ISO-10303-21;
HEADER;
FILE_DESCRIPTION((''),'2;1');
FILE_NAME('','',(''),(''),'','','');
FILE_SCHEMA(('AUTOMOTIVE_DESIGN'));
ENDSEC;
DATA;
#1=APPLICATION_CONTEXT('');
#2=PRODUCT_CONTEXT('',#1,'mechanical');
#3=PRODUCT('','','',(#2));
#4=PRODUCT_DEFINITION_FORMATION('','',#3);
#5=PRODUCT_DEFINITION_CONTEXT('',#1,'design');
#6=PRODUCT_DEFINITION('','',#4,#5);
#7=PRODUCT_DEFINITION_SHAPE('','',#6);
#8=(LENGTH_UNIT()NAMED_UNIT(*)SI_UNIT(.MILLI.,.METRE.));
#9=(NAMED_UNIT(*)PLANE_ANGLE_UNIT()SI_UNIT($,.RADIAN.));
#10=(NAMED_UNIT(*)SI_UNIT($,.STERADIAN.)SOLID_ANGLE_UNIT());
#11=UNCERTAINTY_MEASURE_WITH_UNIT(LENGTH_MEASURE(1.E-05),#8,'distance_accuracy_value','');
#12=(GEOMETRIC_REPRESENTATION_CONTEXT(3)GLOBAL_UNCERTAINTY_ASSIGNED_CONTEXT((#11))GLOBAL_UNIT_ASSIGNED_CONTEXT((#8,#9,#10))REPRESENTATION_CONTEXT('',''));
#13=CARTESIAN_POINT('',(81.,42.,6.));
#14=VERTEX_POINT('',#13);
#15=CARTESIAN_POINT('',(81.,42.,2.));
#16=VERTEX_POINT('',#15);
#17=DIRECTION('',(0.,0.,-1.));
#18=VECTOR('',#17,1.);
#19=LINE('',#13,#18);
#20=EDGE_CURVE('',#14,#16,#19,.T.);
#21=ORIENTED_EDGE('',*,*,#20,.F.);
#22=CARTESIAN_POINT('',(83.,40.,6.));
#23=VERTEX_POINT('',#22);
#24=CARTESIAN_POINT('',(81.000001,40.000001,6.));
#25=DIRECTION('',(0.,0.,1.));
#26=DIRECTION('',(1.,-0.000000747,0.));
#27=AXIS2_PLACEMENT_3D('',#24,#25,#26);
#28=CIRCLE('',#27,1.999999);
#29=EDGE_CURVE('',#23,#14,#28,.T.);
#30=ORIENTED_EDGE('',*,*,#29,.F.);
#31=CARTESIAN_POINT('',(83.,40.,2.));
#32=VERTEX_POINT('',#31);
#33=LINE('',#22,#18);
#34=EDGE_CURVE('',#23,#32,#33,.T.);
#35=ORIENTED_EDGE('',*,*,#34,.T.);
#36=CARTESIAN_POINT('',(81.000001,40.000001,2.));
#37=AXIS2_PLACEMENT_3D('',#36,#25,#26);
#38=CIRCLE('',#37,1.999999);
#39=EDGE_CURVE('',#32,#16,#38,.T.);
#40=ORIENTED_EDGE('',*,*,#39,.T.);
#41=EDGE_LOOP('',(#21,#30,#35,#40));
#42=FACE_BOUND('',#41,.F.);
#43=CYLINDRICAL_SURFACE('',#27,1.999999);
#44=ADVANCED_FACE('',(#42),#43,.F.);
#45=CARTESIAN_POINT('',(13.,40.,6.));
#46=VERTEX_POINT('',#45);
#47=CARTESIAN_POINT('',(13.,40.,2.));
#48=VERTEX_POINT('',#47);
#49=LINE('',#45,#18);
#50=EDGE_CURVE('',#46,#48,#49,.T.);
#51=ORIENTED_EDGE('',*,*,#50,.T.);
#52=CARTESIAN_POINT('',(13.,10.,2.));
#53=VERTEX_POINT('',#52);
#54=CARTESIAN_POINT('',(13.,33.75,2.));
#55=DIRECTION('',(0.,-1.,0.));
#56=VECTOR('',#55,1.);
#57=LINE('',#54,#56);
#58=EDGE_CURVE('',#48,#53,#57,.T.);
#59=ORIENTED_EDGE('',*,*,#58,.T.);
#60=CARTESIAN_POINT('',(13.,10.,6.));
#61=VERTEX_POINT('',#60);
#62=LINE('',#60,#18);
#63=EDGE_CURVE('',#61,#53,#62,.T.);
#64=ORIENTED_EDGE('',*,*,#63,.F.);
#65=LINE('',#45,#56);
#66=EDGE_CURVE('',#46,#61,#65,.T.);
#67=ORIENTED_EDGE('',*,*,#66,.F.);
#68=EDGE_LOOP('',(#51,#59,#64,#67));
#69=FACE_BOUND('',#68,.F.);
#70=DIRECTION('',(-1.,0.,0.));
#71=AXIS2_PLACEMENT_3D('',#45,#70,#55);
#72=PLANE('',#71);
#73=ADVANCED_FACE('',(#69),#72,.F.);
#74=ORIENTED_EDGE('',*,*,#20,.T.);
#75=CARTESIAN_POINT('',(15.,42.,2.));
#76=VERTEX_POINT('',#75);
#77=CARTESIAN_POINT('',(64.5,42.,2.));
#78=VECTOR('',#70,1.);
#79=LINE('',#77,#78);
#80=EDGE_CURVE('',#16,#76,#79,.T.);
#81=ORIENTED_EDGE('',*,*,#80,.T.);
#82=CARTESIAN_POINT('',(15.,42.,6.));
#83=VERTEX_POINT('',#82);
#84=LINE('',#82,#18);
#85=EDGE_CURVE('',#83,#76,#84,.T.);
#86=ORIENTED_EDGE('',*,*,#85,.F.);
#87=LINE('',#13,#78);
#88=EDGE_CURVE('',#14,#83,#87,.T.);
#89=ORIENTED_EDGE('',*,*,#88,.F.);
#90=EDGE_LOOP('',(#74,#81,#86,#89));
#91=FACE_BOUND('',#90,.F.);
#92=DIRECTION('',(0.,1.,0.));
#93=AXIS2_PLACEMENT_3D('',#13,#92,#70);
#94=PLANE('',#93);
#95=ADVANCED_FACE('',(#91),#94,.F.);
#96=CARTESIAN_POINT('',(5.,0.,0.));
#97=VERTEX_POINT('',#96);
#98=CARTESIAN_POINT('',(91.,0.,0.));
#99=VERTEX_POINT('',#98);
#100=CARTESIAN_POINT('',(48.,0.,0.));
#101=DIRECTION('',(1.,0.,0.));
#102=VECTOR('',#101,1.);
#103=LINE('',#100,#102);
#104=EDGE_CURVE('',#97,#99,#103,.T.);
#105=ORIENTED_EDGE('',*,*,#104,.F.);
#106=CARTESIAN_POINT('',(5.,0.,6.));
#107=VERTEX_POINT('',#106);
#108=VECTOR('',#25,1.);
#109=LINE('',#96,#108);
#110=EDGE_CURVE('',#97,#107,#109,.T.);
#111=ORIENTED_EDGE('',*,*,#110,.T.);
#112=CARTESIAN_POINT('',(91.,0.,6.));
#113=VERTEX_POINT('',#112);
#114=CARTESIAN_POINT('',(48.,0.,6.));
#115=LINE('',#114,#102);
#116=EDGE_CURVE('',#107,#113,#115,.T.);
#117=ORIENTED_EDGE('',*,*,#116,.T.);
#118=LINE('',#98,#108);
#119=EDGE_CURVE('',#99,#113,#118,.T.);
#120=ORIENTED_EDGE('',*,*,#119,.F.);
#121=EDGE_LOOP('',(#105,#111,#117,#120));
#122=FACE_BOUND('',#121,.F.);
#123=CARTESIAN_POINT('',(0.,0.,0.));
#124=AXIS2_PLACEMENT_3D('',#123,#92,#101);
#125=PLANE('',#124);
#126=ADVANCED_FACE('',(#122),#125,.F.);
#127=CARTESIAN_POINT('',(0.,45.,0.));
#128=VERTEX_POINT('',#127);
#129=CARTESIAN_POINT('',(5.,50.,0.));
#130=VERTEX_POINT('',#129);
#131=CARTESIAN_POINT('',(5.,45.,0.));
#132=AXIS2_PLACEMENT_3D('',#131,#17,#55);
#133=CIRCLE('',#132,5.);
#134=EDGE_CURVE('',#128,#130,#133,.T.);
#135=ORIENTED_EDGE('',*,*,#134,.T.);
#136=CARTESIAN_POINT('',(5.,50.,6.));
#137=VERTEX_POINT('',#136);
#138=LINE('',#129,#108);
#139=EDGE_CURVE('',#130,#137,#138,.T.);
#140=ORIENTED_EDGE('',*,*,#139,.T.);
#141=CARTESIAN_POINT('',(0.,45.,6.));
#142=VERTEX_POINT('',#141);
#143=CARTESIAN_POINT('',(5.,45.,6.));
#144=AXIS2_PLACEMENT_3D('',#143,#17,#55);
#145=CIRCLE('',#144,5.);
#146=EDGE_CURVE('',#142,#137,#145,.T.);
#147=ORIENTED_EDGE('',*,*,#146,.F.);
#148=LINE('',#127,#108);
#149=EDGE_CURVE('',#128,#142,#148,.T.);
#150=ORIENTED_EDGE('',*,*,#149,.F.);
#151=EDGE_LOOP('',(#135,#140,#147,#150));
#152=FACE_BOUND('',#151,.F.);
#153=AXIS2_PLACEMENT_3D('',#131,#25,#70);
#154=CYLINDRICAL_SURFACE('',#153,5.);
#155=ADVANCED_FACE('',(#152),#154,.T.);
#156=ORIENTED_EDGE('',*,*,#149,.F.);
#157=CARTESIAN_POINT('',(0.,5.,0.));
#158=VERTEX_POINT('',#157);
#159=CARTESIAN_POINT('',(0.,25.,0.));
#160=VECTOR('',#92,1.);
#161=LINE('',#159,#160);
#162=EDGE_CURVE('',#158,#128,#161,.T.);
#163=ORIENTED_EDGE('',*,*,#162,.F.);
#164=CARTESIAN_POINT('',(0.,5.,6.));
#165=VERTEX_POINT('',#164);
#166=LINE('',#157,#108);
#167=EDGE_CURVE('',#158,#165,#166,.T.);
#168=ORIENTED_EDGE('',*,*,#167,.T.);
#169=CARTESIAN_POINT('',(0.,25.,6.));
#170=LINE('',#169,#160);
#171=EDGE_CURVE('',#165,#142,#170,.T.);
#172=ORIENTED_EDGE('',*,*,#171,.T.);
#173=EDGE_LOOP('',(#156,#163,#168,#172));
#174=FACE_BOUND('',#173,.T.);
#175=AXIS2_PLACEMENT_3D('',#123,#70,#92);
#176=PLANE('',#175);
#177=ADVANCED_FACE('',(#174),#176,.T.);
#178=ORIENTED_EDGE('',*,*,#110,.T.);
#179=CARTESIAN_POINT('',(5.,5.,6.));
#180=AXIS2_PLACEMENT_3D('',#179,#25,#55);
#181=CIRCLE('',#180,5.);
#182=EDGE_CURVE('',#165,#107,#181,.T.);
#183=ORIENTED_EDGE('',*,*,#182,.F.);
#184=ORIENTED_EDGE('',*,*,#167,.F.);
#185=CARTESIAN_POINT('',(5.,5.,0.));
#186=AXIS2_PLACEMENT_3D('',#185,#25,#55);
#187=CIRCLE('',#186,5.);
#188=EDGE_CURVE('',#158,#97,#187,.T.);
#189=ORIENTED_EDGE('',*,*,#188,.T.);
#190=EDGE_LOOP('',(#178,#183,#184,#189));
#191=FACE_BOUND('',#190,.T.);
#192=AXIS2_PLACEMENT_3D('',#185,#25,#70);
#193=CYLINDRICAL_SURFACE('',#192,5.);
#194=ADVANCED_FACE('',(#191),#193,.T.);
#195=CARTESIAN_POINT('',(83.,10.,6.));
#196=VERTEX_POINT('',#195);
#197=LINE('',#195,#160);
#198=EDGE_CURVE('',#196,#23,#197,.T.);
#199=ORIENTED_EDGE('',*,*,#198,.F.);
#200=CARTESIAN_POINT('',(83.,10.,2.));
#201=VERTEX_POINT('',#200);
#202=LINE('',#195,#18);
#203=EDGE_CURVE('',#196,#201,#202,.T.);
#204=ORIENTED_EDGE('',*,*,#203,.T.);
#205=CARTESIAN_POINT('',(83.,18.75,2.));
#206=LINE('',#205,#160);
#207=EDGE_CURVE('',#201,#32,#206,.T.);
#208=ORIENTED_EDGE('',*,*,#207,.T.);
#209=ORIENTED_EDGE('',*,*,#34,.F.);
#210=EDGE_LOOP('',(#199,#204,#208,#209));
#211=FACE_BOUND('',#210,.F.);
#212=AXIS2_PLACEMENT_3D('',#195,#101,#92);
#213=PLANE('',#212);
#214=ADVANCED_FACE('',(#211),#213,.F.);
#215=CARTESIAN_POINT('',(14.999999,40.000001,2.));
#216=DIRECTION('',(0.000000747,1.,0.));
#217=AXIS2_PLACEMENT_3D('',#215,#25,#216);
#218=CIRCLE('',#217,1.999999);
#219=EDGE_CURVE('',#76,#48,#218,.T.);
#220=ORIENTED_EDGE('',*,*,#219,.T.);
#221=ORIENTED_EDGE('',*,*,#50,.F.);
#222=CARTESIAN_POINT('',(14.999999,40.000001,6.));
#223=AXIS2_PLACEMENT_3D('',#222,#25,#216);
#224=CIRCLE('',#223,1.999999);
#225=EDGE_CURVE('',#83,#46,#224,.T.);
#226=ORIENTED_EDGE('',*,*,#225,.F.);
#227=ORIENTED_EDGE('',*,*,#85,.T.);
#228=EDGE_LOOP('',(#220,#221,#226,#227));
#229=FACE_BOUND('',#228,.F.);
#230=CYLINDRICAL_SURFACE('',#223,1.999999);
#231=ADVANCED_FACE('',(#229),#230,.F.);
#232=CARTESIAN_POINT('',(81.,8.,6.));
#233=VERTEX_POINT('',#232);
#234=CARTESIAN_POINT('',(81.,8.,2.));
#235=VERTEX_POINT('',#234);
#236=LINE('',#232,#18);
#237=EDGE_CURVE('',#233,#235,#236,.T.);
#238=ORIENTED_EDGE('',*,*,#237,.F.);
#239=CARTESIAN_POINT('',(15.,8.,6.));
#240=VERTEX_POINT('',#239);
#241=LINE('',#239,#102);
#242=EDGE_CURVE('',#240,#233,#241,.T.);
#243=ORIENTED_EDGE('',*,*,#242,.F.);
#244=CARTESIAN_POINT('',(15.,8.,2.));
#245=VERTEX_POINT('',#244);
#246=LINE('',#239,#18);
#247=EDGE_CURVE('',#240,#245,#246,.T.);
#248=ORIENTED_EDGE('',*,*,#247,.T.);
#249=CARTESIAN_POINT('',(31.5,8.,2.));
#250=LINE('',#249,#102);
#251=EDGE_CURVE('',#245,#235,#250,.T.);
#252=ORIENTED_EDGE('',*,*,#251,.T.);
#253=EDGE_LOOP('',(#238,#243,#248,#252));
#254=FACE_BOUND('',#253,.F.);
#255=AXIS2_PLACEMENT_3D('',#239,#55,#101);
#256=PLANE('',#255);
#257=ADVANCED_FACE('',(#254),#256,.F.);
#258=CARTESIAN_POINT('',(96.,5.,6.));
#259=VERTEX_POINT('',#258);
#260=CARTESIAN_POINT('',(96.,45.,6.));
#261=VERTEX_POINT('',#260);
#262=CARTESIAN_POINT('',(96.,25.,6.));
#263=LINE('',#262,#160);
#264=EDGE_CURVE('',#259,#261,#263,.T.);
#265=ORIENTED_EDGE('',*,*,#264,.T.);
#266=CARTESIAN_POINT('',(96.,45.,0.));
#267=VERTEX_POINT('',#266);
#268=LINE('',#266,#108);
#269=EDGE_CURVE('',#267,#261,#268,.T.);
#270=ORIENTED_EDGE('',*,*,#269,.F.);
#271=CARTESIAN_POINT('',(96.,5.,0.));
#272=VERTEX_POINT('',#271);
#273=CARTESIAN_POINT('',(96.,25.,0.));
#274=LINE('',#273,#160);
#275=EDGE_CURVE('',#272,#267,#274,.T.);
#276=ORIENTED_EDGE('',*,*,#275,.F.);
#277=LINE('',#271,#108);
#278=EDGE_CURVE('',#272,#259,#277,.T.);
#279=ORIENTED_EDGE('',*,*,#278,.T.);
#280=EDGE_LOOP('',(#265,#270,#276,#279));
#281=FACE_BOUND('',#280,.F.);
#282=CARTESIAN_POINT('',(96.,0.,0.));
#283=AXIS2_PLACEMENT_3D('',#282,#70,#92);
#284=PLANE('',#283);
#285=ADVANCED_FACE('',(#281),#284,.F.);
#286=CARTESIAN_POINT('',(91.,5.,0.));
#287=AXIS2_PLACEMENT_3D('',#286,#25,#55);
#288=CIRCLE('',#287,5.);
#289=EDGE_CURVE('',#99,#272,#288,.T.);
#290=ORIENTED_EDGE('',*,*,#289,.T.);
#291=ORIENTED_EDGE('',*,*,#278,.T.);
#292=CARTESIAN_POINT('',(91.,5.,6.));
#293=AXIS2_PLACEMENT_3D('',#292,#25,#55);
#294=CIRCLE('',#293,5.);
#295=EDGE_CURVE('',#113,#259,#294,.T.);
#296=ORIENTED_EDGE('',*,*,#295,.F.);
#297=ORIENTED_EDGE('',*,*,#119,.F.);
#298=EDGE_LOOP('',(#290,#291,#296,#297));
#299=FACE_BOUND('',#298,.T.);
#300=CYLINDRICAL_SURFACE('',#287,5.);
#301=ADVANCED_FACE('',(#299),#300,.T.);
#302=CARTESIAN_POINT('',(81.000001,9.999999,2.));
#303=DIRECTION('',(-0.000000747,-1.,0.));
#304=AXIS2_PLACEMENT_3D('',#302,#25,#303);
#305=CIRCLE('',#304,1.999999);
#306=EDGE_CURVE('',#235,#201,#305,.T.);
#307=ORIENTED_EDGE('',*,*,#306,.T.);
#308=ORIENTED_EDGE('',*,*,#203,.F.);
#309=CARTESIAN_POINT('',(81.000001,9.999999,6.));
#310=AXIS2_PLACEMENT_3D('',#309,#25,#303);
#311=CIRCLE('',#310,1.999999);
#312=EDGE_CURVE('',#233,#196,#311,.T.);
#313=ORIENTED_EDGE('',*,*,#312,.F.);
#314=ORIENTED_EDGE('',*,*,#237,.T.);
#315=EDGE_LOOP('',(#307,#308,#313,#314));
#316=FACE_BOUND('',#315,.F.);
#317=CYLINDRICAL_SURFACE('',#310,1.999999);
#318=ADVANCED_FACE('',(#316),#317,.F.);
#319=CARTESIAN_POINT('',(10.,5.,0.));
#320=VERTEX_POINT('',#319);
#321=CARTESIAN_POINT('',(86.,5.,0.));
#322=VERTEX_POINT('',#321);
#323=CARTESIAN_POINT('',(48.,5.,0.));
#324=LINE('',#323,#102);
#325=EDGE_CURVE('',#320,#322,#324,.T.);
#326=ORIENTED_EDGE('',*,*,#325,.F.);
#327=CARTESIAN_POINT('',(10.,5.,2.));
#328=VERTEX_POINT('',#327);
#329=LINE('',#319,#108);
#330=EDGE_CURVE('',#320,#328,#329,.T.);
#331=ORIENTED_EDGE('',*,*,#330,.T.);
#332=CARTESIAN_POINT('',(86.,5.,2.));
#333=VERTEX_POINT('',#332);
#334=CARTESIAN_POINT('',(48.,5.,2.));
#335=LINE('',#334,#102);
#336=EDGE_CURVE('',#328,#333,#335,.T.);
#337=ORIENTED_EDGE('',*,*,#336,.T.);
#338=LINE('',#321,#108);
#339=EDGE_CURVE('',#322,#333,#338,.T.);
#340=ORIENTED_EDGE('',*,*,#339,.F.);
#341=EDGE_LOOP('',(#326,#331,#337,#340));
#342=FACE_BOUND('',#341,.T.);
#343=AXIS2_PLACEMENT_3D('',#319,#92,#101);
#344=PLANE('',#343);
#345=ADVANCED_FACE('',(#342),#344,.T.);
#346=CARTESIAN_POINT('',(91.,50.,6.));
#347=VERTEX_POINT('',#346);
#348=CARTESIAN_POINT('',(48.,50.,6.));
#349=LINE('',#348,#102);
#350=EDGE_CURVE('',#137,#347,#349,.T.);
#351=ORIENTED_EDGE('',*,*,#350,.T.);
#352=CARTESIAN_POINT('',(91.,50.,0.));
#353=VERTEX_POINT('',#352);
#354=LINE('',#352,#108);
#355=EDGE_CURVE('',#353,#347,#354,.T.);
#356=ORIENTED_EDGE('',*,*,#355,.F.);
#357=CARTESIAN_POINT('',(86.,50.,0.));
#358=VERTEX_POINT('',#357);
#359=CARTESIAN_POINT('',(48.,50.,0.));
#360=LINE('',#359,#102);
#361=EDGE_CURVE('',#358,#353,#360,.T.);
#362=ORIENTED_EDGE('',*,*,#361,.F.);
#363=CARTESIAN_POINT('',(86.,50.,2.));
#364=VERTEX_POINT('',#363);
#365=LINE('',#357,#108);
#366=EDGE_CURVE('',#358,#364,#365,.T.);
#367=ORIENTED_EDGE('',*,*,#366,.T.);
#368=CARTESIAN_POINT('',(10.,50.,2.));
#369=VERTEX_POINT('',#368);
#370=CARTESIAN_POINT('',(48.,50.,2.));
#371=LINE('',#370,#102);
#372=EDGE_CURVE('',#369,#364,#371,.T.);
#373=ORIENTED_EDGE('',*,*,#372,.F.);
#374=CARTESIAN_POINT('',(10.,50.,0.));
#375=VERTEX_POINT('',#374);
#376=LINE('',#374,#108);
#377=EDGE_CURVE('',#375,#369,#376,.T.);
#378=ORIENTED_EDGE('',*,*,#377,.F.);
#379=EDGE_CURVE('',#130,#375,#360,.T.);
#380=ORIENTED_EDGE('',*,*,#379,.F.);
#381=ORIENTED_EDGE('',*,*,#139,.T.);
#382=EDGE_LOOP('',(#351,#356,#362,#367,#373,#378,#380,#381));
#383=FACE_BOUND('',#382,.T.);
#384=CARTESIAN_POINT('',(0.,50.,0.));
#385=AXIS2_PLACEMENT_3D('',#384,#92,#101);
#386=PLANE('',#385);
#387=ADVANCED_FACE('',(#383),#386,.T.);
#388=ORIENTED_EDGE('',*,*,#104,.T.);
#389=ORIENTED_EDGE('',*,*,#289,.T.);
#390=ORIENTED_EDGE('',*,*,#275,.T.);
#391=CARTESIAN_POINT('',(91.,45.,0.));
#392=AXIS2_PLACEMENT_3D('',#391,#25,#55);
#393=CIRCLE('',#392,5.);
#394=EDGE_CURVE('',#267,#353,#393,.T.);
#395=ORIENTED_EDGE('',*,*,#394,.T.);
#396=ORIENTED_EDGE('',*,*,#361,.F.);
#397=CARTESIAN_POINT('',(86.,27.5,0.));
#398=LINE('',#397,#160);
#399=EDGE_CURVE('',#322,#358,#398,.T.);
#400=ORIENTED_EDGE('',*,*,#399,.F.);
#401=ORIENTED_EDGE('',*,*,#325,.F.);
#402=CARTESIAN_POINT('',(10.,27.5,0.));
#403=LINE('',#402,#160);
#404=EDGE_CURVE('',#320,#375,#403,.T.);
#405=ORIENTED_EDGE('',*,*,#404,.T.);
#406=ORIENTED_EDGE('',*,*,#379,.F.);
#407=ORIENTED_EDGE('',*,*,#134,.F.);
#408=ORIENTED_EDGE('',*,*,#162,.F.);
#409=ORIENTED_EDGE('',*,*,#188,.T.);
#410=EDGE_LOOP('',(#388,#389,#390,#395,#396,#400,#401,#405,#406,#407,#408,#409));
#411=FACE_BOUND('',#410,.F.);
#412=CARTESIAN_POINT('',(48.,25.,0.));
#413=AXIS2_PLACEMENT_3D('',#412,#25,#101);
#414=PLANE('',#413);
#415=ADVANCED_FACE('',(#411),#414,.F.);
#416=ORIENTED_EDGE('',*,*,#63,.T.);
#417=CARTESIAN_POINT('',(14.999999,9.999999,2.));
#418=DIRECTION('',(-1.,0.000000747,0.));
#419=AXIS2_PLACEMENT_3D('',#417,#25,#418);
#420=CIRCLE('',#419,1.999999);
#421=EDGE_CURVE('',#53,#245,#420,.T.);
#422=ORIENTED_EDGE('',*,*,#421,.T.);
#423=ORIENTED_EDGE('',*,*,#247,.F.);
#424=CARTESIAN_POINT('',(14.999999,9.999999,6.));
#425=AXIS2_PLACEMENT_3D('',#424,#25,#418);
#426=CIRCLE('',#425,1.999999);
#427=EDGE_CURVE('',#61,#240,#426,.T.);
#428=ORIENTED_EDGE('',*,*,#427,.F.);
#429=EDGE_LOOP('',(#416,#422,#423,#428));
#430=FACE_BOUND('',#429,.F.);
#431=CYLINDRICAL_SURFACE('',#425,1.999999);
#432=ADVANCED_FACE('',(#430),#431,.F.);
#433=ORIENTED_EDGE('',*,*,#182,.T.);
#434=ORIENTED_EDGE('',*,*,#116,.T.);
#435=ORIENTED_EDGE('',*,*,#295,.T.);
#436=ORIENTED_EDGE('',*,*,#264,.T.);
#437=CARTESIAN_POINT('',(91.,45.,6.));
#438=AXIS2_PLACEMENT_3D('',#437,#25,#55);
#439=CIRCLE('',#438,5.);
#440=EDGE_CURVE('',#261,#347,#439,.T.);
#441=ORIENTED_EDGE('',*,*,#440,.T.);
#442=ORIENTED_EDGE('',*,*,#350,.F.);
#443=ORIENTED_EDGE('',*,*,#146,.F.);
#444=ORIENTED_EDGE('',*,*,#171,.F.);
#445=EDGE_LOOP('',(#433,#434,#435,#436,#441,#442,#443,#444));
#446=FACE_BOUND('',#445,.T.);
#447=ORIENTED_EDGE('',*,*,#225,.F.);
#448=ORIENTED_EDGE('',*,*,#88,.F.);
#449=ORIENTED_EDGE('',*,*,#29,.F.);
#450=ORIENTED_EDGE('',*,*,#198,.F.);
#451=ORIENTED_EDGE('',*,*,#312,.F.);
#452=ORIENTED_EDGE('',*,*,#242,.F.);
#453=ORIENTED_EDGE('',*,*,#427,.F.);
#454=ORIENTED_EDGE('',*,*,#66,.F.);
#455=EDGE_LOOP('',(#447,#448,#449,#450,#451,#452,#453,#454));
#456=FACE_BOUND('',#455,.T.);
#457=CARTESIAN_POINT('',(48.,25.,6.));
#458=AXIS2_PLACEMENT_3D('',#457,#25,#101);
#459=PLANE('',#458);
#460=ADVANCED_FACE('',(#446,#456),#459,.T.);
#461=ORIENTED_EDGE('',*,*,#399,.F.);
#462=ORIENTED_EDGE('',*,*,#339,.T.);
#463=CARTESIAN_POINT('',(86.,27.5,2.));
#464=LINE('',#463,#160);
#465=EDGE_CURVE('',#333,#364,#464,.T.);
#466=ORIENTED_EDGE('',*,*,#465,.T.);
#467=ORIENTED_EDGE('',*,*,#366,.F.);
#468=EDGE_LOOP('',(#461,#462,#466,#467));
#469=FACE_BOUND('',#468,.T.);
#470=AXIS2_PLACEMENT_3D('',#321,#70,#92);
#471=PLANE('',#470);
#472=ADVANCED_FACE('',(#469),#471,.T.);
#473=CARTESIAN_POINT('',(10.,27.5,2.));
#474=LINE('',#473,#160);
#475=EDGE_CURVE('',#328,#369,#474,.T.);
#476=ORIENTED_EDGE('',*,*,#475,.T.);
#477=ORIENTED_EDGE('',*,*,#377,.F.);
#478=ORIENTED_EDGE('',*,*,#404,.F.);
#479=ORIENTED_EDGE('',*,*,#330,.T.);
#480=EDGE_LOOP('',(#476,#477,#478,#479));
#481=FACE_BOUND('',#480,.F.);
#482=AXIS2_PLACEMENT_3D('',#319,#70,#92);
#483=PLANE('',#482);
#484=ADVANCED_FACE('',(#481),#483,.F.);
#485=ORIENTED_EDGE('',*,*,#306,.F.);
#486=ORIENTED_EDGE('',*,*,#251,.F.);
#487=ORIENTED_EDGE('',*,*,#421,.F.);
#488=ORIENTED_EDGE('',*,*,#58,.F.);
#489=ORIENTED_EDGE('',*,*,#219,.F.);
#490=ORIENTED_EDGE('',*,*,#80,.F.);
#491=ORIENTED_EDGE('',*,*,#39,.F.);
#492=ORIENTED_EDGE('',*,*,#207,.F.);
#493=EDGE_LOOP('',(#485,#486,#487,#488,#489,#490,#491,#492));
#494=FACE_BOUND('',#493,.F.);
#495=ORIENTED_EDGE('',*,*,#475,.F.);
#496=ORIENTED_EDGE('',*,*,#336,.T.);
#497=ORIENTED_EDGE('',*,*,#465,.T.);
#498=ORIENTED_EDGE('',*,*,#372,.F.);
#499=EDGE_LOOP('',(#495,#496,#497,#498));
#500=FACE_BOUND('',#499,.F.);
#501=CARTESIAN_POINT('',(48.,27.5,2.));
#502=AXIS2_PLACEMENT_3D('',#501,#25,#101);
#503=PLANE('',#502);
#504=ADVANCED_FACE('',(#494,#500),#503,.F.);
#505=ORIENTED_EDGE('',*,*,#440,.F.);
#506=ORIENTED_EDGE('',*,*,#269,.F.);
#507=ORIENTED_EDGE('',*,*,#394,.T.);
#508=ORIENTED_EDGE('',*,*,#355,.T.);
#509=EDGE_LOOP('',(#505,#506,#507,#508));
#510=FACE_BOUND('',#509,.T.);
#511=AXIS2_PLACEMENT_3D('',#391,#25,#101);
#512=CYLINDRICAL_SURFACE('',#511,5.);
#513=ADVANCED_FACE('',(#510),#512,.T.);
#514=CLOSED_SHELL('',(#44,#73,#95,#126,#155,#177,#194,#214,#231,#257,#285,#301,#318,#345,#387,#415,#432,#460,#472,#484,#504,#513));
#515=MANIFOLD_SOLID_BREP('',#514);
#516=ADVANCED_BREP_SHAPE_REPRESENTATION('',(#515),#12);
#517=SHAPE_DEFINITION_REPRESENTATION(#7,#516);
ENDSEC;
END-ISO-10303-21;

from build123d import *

# Parameters (mm, degrees)
F0_W     = 96
F0_H     = 50
F1_DEPTH = 6
F2_R     = 5
F3_W     = 76
F3_H     = 45
F4_DEPTH = 2
F6_DEPTH = 25


with BuildPart() as f1:
    # F0 (on Top) → F1 (new body)
    with BuildSketch(Plane.XY):
        with Locations((48, 25)):
            Rectangle(F0_W, F0_H)
    extrude(amount=F1_DEPTH)

    # F2
    f2_edges = [f1.edges().sort_by_distance(p)[0] for p in [
        (96, 50, 3),
        (96, 0, 3),
        (0, 50, 3),
        (0, 0, 3),
    ]]
    fillet(f2_edges, radius=F2_R)

    # F3 (on Top) → F4 (cut)
    with BuildSketch(Plane.XY):
        with Locations((48, 27.5)):
            Rectangle(F3_W, F3_H)
    extrude(amount=F4_DEPTH, mode=Mode.SUBTRACT)

    # F5 (on face) → F6 (cut)
    with BuildSketch(Plane.XY.offset(6)):
        with BuildLine():
            Line((81, 42), (15, 42))
            ThreePointArc((15, 42), (13.585786, 41.414214), (13, 40))
            Line((13, 40), (13, 10))
            ThreePointArc((13, 10), (13.585786, 8.585786), (15, 8))
            Line((15, 8), (81, 8))
            ThreePointArc((81, 8), (82.414214, 8.585786), (83, 10))
            Line((83, 10), (83, 40))
            ThreePointArc((83, 40), (82.414214, 41.414214), (81, 42))
        make_face()
    extrude(amount=-F6_DEPTH, mode=Mode.SUBTRACT)


solid = f1.part
